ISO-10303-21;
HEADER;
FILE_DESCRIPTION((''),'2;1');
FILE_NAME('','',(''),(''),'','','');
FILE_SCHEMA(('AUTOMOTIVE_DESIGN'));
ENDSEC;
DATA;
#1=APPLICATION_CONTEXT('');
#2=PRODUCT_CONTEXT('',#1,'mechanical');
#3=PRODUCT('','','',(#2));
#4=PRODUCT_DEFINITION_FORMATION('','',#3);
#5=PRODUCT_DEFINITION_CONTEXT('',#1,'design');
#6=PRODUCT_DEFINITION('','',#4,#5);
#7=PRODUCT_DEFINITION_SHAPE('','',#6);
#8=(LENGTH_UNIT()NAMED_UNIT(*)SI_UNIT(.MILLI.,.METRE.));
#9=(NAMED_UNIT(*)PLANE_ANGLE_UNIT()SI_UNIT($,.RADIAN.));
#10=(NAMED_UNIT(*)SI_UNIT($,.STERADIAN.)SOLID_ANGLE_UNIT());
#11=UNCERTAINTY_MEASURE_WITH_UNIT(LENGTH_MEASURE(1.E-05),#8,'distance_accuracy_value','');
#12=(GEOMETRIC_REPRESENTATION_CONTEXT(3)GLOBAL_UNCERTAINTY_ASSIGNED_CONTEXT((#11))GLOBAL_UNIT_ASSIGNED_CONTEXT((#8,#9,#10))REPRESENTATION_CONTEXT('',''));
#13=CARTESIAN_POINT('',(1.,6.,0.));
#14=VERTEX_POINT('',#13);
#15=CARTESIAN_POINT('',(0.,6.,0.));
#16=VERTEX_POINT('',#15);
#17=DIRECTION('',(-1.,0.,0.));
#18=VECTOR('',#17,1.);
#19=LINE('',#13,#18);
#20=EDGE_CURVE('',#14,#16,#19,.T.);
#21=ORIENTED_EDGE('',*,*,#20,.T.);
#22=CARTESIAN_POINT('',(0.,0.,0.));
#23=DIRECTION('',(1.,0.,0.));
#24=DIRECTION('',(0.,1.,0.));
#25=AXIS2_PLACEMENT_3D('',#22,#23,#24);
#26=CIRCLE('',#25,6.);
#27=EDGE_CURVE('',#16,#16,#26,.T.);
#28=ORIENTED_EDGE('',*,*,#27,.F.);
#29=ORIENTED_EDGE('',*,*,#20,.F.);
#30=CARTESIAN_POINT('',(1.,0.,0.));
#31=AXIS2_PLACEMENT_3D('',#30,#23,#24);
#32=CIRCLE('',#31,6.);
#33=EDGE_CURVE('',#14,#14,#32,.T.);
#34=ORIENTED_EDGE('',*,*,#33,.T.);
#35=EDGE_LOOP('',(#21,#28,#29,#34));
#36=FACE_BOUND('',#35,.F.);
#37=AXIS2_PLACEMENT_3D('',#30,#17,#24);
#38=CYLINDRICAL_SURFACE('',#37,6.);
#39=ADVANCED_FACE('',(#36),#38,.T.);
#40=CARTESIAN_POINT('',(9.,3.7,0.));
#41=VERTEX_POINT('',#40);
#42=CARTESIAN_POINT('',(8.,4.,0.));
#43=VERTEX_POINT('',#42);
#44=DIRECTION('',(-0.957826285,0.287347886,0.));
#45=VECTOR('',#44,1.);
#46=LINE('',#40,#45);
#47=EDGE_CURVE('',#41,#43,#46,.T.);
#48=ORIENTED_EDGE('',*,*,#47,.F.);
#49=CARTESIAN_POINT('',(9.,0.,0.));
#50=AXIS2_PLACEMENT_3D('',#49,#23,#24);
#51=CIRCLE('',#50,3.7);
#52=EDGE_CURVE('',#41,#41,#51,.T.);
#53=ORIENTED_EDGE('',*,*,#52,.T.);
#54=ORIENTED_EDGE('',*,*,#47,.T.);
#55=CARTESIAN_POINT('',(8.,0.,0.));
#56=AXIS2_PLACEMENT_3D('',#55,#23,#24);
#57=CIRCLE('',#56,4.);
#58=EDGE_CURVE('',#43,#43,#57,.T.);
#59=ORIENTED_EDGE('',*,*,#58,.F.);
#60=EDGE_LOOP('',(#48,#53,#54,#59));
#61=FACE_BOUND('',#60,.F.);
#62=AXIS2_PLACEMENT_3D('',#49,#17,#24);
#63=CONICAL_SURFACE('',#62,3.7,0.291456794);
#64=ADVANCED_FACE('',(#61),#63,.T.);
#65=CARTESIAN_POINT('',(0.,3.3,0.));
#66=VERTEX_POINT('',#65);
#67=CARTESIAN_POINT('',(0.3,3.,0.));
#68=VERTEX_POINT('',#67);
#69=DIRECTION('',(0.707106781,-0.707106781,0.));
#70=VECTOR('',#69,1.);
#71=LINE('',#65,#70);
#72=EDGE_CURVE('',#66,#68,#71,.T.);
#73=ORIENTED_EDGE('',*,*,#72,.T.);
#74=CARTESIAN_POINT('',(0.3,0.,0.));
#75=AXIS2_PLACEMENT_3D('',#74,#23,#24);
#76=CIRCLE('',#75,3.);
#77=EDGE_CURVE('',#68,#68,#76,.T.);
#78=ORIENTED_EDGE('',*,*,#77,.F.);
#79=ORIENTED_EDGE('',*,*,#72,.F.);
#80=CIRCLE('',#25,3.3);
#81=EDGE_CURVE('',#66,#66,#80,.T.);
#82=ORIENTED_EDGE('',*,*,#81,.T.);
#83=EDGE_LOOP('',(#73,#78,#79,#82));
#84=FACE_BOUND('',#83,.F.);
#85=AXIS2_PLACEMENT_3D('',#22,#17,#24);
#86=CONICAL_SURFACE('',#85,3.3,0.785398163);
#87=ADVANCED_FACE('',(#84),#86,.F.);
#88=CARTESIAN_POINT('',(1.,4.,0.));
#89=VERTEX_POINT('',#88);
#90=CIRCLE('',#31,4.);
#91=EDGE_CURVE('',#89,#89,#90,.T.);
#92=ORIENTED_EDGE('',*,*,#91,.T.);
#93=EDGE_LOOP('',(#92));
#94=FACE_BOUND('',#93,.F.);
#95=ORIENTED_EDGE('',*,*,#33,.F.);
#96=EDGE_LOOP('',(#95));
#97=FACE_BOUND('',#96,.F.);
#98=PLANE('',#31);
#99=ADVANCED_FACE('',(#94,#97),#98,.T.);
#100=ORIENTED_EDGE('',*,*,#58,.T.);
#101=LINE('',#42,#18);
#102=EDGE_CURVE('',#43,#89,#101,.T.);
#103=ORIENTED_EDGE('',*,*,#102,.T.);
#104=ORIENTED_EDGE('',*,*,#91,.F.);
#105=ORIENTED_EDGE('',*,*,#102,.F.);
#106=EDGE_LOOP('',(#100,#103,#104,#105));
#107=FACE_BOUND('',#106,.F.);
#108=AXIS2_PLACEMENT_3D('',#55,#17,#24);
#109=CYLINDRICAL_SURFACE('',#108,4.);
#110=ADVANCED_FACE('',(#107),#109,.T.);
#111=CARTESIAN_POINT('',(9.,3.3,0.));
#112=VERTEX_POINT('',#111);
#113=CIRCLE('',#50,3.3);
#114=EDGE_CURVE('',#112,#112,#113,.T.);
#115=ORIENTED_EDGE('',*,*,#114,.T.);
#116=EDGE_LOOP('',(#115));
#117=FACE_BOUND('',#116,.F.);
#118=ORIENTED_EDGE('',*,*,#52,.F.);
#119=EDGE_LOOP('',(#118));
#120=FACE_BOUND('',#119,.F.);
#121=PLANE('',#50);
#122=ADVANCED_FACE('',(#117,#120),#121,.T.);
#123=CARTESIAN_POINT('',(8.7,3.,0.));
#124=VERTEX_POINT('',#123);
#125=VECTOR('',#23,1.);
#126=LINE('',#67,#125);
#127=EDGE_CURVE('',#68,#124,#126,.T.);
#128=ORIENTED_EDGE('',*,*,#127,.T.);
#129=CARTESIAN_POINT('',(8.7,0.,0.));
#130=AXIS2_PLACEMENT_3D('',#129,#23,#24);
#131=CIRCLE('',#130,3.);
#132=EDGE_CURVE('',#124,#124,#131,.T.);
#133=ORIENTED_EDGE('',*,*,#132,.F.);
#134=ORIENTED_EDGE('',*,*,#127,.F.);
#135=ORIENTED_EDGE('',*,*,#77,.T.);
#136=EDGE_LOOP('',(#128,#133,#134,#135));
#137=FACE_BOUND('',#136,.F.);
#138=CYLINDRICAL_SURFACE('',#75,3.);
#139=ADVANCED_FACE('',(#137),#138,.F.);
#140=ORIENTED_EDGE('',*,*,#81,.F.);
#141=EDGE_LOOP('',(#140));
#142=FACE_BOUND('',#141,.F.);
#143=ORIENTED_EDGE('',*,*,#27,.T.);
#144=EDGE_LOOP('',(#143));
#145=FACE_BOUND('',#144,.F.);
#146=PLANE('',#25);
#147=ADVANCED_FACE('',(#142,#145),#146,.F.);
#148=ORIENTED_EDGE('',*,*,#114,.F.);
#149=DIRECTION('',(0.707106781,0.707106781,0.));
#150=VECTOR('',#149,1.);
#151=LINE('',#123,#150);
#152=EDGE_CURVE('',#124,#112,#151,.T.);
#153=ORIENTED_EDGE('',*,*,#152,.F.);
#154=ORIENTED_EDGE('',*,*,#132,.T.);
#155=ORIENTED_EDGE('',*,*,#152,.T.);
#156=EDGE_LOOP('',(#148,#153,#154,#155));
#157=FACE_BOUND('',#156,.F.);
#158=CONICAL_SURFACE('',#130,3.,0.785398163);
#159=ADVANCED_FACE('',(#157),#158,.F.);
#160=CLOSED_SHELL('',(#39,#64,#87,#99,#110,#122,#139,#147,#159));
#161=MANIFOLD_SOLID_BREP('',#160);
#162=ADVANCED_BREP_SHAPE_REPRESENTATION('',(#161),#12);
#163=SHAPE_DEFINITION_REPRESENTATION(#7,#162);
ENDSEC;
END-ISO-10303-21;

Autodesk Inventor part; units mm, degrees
ref_plane "YZ Plane" through (0, 0, 0) normal (1, 0, 0) x (0, 1, 0)
ref_plane "XZ Plane" through (0, 0, 0) normal (0, 1, 0) x (-1, 0, 0)
ref_plane "XY Plane" through (0, 0, 0) normal (0, 0, 1) x (1, 0, 0)
sketch "Sketch_1" plane through (0, 0, 0) normal (0, 0, 1) x (1, 0, 0)
  line L0 (9, 0) -> (0, 0)
  line L1 (0, 3.3) -> (0.3, 3)
  line L2 (0.3, 3) -> (8.7, 3)
  line L3 (8.7, 3) -> (9, 3.3)
  line L4 (9, 3.3) -> (9, 3.7)
  line L5 (9, 3.7) -> (8, 4)
  line L6 (8, 4) -> (1, 4)
  line L7 (1, 4) -> (1, 6)
  line L8 (1, 6) -> (0, 6)
  line L9 (0, 6) -> (0, 3.3)
revolve "Revolution1" add sketch "Sketch_1" angle 360 about axis through (9, 0, 0) along (1, 0, 0)
properties part number "80F-0608"
